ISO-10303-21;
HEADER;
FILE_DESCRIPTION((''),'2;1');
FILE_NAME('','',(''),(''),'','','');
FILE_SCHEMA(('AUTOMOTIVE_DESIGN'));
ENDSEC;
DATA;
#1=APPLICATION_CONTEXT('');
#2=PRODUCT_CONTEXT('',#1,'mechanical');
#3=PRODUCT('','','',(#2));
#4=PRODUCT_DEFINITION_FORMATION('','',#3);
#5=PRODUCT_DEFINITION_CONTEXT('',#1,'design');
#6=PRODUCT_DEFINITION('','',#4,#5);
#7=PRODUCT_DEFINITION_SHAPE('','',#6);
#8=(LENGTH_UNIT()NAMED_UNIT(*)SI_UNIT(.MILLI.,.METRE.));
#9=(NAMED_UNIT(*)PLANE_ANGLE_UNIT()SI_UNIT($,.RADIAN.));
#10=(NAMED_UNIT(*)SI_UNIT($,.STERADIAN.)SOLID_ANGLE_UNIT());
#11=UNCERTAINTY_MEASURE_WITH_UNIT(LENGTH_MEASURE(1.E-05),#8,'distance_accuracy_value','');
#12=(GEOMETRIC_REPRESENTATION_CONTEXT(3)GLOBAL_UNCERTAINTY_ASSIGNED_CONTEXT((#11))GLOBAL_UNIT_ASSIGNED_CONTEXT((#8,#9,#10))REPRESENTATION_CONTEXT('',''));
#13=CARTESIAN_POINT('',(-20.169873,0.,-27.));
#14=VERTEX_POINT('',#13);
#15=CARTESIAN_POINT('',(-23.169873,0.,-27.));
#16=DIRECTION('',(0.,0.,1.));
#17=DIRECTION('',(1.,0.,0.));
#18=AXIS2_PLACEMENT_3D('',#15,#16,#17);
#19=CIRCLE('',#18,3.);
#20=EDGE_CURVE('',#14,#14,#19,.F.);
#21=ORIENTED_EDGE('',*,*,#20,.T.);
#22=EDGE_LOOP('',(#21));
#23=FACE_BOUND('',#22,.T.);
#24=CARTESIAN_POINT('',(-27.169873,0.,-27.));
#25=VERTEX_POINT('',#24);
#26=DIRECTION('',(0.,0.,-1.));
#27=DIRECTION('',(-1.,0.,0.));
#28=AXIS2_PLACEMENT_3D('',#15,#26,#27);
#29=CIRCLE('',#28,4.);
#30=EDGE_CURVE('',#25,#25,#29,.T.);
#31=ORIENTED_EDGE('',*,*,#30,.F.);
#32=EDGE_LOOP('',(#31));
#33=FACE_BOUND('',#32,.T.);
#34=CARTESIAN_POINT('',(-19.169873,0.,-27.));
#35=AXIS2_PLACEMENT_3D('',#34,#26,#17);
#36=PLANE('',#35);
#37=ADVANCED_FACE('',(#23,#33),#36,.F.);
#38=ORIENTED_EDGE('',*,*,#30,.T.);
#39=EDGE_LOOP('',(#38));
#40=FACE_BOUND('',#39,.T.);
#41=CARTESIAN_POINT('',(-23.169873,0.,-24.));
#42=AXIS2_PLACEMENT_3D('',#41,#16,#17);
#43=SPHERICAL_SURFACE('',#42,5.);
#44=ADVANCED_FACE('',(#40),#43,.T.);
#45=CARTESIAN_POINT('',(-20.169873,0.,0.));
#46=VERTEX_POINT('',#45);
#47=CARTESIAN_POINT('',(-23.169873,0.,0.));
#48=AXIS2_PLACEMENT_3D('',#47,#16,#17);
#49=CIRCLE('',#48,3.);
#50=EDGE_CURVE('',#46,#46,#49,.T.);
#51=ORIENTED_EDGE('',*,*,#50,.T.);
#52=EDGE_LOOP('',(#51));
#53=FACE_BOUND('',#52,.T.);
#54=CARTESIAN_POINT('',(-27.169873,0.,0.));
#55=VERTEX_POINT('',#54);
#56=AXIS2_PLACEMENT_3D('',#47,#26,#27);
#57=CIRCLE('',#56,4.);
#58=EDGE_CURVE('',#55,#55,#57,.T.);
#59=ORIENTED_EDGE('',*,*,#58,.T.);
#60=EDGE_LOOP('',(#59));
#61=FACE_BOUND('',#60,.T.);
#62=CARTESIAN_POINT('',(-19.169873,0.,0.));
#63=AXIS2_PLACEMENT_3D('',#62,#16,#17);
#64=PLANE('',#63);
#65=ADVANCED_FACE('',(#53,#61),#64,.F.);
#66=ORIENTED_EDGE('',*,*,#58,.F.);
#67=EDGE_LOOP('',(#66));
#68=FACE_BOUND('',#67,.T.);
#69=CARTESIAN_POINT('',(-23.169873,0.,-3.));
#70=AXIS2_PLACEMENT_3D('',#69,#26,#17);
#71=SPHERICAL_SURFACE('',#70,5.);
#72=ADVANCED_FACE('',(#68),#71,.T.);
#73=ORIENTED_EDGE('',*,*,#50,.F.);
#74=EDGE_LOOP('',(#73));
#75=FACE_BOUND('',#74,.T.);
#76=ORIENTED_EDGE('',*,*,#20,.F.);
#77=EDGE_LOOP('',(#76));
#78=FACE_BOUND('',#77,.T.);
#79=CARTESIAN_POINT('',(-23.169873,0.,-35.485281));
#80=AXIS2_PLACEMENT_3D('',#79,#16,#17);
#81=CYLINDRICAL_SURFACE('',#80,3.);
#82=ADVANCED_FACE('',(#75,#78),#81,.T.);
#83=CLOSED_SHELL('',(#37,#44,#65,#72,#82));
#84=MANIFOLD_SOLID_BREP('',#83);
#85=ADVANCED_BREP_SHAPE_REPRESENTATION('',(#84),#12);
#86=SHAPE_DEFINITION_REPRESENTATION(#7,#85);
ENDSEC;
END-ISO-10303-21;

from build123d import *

# Parameters (mm, degrees)
CROQUIS1_R              = 3
SALIENTE_EXTRUIR1_DEPTH = 27


with BuildPart() as part:
    # Croquis1 → Saliente-Extruir1 (new body)
    with BuildSketch(Plane.XY):
        with Locations((-23.169872981, 0)):
            Circle(CROQUIS1_R)
    extrude(amount=-SALIENTE_EXTRUIR1_DEPTH)

    # Croquis2 → Revolución1 (revolve)
    with BuildSketch(Plane(origin=(0, 0, 0), x_dir=(1, 0, 0), z_dir=(0, 1, 0))):
        with BuildLine():
            Line((-23.169872981, 0), (-23.169872981, -2))
            ThreePointArc((-23.169872981, -2), (-20.933805004, -1.472135955), (-19.169872981, 0))
            Line((-19.169872981, 0), (-23.169872981, 0))
        make_face()
    revoluci_n1 = revolve(axis=Axis((-23.169872981, 0, 0), (0, 0, 1)))

    # Simetría1: Revolución1 across plane
    add(revoluci_n1.mirror(Plane.XY.offset(-13.5)))


solid = part.part
